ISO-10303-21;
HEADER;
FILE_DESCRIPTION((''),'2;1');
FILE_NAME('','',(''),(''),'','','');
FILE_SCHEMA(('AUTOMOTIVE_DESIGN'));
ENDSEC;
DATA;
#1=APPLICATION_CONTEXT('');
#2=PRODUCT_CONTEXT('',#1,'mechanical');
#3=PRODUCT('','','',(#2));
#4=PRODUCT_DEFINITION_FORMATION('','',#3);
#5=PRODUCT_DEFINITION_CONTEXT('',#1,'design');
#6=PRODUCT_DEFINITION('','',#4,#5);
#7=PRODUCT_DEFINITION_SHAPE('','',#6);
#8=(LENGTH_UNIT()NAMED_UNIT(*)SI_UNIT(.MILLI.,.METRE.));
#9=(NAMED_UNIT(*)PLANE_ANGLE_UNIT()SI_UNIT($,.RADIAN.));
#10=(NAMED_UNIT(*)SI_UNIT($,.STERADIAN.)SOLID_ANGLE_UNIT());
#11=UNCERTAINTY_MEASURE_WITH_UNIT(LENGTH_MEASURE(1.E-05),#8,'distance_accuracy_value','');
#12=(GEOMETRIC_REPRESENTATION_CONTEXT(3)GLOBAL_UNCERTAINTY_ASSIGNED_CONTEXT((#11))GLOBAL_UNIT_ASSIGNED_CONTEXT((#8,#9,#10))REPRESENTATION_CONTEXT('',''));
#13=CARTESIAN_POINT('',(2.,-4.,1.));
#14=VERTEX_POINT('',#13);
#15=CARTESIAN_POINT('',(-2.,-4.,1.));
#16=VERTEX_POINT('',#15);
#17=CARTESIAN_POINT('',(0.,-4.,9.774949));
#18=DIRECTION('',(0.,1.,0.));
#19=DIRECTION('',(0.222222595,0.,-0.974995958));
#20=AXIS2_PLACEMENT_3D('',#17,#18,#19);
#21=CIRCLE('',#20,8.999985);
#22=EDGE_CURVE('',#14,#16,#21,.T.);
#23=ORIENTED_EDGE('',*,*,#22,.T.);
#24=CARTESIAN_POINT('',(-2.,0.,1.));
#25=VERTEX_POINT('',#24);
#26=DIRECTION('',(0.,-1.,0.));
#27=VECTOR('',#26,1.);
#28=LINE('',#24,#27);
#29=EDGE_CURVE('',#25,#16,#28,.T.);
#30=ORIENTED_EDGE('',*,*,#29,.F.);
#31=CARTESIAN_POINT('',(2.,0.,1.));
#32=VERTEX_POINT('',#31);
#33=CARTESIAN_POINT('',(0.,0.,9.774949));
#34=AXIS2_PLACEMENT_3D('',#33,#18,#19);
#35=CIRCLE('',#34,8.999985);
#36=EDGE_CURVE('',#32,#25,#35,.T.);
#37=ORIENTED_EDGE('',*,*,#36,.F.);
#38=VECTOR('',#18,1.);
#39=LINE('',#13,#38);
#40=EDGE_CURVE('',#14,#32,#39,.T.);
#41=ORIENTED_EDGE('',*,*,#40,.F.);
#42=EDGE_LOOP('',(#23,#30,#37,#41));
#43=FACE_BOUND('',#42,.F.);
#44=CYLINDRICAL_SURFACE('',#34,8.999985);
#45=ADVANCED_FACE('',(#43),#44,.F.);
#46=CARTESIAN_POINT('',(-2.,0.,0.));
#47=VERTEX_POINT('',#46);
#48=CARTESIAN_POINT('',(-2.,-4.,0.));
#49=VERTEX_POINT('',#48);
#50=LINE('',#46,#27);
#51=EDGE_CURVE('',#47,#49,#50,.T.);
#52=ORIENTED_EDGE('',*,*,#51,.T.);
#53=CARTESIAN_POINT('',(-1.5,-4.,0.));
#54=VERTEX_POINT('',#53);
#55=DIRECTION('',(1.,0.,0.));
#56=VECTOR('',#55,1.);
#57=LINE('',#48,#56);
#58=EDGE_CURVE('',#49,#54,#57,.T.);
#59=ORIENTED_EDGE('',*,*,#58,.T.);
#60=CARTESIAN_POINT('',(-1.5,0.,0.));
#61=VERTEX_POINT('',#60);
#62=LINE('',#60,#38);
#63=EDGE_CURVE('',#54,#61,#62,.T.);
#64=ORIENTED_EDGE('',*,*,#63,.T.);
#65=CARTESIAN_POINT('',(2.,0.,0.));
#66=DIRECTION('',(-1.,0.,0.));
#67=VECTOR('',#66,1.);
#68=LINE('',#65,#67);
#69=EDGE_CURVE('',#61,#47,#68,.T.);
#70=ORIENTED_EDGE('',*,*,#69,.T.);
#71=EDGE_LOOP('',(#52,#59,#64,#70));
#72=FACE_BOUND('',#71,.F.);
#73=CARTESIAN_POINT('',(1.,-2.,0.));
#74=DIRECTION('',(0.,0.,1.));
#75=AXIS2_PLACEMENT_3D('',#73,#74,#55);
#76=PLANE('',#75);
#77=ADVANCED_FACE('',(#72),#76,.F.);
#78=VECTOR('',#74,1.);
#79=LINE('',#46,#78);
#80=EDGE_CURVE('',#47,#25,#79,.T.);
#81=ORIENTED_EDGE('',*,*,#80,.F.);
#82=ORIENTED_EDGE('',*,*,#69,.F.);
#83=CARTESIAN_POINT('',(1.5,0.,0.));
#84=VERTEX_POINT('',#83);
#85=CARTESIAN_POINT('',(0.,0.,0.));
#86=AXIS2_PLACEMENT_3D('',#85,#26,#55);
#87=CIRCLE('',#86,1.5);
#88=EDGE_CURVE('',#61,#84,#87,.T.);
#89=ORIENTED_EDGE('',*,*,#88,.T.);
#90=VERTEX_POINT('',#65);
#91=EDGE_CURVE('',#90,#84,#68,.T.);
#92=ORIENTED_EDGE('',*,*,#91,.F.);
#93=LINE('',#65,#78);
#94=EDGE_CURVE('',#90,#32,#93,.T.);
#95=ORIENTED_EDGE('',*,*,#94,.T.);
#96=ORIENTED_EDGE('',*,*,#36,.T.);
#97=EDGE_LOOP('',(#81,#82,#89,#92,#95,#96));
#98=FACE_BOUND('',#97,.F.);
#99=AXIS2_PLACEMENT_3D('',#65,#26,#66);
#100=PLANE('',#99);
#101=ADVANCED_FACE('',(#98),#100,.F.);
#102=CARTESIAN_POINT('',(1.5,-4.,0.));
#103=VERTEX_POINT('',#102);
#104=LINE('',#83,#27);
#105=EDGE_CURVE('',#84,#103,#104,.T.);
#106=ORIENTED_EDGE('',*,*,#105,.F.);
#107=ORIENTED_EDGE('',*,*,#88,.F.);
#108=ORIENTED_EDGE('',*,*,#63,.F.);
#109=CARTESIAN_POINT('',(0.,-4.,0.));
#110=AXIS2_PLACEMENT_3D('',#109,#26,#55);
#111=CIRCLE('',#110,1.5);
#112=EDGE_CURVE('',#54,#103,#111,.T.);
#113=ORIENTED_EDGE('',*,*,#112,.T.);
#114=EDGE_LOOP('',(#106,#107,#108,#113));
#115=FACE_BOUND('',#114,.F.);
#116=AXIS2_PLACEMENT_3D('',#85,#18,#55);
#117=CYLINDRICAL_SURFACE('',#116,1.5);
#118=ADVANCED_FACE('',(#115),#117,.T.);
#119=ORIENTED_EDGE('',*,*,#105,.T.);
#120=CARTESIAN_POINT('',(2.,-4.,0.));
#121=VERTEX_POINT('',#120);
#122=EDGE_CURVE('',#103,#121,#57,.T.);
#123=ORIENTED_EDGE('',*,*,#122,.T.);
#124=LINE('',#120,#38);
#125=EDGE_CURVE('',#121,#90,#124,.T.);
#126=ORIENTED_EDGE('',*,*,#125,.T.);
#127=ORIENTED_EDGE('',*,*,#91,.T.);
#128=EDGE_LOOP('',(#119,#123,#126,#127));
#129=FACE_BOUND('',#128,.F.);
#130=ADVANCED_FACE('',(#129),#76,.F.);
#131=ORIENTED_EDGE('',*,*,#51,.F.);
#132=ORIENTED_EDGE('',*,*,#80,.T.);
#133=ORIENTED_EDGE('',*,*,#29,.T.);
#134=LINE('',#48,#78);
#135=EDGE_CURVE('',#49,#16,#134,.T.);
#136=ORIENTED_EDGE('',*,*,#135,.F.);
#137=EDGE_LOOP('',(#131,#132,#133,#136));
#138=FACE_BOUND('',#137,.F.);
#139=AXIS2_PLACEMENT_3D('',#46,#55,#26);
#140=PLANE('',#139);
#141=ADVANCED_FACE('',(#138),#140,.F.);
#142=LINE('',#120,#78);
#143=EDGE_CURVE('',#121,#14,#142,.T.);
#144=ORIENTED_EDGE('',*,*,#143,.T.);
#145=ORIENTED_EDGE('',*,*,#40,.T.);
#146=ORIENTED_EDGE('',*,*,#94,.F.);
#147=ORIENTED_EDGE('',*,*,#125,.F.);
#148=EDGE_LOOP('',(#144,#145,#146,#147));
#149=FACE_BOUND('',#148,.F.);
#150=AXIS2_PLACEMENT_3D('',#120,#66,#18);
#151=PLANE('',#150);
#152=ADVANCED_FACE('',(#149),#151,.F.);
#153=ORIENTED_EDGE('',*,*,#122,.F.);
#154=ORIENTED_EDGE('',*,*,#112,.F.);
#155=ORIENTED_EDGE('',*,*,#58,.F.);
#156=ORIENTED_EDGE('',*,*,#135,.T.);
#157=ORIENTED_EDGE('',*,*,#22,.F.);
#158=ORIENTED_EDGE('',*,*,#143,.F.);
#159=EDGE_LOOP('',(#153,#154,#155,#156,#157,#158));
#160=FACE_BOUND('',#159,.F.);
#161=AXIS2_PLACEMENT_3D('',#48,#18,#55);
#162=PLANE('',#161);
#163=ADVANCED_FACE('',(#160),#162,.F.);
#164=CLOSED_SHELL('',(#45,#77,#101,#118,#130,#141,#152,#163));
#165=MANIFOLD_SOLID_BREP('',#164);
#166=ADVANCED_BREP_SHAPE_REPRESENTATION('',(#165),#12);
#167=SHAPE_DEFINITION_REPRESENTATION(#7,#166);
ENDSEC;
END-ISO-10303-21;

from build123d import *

# Parameters (mm, degrees)
F0_R     = 1.5
F1_DEPTH = 4
F3_DEPTH = 1
F4_W     = 10.043588
F4_H     = 9.757602
F5_DEPTH = 25
F7_DEPTH = 25


with BuildPart() as f1:
    # F0 (on Front) → F1 (new body)
    with BuildSketch(Plane.XZ):
        Circle(F0_R)
    extrude(amount=F1_DEPTH)

    # F2 (on Top) → F3 (join)
    with BuildSketch(Plane.XY):
        Polygon((2, 0), (0, 0), (0, -3), (0, -4), (2, -4), align=None)
        Polygon((0, -3), (0, 0), (-2, 0), (-2, -4), (0, -4), align=None)
    extrude(amount=F3_DEPTH)

    # F4 (on face) → F5 (cut)
    with BuildSketch(Plane.XY.offset(1)):
        with Locations((0.776296, -1.253996)):
            Rectangle(F4_W, F4_H)
    extrude(amount=F5_DEPTH, mode=Mode.SUBTRACT)

    # F6 (on face) → F7 (cut)
    with BuildSketch(Plane(origin=(0, 0, 0), x_dir=(-1, 0, 0), z_dir=(0, 1, 0))):
        with BuildLine():
            Line((-2.083411, 1.922662), (-2, 1))
            ThreePointArc((-2, 1), (0, 0.774964), (2, 1))
            Line((2, 1), (2, 1.922662))
            Line((2, 1.922662), (-2.083411, 1.922662))
        make_face()
    extrude(amount=-F7_DEPTH, mode=Mode.SUBTRACT)


solid = f1.part
